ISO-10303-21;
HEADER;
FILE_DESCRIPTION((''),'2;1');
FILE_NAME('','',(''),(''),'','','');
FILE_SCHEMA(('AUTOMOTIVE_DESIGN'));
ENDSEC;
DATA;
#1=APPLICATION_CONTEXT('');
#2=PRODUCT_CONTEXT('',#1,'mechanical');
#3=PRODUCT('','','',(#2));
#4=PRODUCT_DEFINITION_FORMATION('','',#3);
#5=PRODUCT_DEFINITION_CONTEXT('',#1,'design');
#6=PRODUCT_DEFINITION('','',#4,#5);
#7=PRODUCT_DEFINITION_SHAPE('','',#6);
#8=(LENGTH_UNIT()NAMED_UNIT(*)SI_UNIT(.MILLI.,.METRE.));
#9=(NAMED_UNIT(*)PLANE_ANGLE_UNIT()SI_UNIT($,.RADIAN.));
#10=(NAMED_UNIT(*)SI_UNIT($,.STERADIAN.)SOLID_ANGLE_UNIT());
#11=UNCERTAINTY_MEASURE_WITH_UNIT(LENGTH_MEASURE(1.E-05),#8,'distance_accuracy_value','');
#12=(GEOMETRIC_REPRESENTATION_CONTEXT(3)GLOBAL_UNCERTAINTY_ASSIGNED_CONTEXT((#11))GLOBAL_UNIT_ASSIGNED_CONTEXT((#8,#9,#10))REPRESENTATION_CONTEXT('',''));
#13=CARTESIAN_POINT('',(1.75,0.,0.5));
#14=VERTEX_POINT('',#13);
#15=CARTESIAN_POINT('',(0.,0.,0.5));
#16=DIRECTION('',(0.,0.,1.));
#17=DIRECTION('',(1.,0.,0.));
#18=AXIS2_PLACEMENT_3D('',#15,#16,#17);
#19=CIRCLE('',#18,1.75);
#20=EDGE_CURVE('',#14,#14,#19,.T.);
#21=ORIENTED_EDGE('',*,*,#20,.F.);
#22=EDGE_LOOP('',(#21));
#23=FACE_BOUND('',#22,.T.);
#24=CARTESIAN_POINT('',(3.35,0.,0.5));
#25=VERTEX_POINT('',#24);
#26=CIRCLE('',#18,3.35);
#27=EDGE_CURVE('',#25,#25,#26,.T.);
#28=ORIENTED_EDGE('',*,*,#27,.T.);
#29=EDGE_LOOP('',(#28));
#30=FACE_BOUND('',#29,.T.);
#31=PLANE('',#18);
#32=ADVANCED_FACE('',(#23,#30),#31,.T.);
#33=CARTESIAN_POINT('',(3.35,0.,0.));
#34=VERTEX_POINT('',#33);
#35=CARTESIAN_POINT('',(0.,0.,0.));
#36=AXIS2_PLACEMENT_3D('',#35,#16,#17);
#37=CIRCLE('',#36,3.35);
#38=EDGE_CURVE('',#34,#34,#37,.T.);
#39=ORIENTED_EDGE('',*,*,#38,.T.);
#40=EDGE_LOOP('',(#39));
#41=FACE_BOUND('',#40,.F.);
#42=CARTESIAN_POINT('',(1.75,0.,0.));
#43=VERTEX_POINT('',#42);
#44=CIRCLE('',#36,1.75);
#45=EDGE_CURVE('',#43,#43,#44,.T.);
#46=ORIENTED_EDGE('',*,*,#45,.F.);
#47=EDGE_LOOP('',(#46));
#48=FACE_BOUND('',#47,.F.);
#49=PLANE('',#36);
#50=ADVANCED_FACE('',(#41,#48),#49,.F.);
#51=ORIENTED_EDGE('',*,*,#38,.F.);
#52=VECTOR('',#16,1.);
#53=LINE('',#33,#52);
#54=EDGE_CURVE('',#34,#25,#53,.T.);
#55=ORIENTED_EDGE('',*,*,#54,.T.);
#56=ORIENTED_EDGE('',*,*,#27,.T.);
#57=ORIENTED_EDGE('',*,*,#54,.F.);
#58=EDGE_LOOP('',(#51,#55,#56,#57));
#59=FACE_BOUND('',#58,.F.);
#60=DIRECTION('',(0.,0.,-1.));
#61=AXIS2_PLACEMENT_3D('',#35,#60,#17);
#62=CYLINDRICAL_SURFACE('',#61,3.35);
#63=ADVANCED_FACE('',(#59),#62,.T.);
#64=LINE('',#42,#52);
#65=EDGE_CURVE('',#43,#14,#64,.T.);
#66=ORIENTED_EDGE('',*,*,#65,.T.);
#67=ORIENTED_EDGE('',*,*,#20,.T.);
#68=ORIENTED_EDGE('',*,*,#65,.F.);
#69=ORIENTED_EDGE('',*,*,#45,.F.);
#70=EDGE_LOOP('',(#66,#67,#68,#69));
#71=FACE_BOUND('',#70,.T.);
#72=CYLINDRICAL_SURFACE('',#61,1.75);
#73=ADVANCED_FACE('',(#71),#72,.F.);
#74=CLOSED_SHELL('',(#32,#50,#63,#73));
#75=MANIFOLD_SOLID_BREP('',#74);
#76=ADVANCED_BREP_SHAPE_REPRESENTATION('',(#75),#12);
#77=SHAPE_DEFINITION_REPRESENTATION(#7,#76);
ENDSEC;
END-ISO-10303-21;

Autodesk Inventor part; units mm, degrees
ref_plane "YZ Plane" through (0, 0, 0) normal (1, 0, 0) x (0, 1, 0)
ref_plane "XZ Plane" through (0, 0, 0) normal (0, 1, 0) x (-1, 0, 0)
ref_plane "XY Plane" through (0, 0, 0) normal (0, 0, 1) x (1, 0, 0)
sketch "Sketch1" plane through (0, 0, 0) normal (0, 0, 1) x (1, 0, 0)
  circle A0 centre (0, 0) radius 3.35
  circle A1 centre (0, 0) radius 1.75
  dimension "d0" = 6.7
  dimension "d1" = 3.5
extrude "Extrusion1" add sketch "Sketch1" along normal blind 0.5
properties part number "washerM3x0.5h" material "Stainless Steel"
